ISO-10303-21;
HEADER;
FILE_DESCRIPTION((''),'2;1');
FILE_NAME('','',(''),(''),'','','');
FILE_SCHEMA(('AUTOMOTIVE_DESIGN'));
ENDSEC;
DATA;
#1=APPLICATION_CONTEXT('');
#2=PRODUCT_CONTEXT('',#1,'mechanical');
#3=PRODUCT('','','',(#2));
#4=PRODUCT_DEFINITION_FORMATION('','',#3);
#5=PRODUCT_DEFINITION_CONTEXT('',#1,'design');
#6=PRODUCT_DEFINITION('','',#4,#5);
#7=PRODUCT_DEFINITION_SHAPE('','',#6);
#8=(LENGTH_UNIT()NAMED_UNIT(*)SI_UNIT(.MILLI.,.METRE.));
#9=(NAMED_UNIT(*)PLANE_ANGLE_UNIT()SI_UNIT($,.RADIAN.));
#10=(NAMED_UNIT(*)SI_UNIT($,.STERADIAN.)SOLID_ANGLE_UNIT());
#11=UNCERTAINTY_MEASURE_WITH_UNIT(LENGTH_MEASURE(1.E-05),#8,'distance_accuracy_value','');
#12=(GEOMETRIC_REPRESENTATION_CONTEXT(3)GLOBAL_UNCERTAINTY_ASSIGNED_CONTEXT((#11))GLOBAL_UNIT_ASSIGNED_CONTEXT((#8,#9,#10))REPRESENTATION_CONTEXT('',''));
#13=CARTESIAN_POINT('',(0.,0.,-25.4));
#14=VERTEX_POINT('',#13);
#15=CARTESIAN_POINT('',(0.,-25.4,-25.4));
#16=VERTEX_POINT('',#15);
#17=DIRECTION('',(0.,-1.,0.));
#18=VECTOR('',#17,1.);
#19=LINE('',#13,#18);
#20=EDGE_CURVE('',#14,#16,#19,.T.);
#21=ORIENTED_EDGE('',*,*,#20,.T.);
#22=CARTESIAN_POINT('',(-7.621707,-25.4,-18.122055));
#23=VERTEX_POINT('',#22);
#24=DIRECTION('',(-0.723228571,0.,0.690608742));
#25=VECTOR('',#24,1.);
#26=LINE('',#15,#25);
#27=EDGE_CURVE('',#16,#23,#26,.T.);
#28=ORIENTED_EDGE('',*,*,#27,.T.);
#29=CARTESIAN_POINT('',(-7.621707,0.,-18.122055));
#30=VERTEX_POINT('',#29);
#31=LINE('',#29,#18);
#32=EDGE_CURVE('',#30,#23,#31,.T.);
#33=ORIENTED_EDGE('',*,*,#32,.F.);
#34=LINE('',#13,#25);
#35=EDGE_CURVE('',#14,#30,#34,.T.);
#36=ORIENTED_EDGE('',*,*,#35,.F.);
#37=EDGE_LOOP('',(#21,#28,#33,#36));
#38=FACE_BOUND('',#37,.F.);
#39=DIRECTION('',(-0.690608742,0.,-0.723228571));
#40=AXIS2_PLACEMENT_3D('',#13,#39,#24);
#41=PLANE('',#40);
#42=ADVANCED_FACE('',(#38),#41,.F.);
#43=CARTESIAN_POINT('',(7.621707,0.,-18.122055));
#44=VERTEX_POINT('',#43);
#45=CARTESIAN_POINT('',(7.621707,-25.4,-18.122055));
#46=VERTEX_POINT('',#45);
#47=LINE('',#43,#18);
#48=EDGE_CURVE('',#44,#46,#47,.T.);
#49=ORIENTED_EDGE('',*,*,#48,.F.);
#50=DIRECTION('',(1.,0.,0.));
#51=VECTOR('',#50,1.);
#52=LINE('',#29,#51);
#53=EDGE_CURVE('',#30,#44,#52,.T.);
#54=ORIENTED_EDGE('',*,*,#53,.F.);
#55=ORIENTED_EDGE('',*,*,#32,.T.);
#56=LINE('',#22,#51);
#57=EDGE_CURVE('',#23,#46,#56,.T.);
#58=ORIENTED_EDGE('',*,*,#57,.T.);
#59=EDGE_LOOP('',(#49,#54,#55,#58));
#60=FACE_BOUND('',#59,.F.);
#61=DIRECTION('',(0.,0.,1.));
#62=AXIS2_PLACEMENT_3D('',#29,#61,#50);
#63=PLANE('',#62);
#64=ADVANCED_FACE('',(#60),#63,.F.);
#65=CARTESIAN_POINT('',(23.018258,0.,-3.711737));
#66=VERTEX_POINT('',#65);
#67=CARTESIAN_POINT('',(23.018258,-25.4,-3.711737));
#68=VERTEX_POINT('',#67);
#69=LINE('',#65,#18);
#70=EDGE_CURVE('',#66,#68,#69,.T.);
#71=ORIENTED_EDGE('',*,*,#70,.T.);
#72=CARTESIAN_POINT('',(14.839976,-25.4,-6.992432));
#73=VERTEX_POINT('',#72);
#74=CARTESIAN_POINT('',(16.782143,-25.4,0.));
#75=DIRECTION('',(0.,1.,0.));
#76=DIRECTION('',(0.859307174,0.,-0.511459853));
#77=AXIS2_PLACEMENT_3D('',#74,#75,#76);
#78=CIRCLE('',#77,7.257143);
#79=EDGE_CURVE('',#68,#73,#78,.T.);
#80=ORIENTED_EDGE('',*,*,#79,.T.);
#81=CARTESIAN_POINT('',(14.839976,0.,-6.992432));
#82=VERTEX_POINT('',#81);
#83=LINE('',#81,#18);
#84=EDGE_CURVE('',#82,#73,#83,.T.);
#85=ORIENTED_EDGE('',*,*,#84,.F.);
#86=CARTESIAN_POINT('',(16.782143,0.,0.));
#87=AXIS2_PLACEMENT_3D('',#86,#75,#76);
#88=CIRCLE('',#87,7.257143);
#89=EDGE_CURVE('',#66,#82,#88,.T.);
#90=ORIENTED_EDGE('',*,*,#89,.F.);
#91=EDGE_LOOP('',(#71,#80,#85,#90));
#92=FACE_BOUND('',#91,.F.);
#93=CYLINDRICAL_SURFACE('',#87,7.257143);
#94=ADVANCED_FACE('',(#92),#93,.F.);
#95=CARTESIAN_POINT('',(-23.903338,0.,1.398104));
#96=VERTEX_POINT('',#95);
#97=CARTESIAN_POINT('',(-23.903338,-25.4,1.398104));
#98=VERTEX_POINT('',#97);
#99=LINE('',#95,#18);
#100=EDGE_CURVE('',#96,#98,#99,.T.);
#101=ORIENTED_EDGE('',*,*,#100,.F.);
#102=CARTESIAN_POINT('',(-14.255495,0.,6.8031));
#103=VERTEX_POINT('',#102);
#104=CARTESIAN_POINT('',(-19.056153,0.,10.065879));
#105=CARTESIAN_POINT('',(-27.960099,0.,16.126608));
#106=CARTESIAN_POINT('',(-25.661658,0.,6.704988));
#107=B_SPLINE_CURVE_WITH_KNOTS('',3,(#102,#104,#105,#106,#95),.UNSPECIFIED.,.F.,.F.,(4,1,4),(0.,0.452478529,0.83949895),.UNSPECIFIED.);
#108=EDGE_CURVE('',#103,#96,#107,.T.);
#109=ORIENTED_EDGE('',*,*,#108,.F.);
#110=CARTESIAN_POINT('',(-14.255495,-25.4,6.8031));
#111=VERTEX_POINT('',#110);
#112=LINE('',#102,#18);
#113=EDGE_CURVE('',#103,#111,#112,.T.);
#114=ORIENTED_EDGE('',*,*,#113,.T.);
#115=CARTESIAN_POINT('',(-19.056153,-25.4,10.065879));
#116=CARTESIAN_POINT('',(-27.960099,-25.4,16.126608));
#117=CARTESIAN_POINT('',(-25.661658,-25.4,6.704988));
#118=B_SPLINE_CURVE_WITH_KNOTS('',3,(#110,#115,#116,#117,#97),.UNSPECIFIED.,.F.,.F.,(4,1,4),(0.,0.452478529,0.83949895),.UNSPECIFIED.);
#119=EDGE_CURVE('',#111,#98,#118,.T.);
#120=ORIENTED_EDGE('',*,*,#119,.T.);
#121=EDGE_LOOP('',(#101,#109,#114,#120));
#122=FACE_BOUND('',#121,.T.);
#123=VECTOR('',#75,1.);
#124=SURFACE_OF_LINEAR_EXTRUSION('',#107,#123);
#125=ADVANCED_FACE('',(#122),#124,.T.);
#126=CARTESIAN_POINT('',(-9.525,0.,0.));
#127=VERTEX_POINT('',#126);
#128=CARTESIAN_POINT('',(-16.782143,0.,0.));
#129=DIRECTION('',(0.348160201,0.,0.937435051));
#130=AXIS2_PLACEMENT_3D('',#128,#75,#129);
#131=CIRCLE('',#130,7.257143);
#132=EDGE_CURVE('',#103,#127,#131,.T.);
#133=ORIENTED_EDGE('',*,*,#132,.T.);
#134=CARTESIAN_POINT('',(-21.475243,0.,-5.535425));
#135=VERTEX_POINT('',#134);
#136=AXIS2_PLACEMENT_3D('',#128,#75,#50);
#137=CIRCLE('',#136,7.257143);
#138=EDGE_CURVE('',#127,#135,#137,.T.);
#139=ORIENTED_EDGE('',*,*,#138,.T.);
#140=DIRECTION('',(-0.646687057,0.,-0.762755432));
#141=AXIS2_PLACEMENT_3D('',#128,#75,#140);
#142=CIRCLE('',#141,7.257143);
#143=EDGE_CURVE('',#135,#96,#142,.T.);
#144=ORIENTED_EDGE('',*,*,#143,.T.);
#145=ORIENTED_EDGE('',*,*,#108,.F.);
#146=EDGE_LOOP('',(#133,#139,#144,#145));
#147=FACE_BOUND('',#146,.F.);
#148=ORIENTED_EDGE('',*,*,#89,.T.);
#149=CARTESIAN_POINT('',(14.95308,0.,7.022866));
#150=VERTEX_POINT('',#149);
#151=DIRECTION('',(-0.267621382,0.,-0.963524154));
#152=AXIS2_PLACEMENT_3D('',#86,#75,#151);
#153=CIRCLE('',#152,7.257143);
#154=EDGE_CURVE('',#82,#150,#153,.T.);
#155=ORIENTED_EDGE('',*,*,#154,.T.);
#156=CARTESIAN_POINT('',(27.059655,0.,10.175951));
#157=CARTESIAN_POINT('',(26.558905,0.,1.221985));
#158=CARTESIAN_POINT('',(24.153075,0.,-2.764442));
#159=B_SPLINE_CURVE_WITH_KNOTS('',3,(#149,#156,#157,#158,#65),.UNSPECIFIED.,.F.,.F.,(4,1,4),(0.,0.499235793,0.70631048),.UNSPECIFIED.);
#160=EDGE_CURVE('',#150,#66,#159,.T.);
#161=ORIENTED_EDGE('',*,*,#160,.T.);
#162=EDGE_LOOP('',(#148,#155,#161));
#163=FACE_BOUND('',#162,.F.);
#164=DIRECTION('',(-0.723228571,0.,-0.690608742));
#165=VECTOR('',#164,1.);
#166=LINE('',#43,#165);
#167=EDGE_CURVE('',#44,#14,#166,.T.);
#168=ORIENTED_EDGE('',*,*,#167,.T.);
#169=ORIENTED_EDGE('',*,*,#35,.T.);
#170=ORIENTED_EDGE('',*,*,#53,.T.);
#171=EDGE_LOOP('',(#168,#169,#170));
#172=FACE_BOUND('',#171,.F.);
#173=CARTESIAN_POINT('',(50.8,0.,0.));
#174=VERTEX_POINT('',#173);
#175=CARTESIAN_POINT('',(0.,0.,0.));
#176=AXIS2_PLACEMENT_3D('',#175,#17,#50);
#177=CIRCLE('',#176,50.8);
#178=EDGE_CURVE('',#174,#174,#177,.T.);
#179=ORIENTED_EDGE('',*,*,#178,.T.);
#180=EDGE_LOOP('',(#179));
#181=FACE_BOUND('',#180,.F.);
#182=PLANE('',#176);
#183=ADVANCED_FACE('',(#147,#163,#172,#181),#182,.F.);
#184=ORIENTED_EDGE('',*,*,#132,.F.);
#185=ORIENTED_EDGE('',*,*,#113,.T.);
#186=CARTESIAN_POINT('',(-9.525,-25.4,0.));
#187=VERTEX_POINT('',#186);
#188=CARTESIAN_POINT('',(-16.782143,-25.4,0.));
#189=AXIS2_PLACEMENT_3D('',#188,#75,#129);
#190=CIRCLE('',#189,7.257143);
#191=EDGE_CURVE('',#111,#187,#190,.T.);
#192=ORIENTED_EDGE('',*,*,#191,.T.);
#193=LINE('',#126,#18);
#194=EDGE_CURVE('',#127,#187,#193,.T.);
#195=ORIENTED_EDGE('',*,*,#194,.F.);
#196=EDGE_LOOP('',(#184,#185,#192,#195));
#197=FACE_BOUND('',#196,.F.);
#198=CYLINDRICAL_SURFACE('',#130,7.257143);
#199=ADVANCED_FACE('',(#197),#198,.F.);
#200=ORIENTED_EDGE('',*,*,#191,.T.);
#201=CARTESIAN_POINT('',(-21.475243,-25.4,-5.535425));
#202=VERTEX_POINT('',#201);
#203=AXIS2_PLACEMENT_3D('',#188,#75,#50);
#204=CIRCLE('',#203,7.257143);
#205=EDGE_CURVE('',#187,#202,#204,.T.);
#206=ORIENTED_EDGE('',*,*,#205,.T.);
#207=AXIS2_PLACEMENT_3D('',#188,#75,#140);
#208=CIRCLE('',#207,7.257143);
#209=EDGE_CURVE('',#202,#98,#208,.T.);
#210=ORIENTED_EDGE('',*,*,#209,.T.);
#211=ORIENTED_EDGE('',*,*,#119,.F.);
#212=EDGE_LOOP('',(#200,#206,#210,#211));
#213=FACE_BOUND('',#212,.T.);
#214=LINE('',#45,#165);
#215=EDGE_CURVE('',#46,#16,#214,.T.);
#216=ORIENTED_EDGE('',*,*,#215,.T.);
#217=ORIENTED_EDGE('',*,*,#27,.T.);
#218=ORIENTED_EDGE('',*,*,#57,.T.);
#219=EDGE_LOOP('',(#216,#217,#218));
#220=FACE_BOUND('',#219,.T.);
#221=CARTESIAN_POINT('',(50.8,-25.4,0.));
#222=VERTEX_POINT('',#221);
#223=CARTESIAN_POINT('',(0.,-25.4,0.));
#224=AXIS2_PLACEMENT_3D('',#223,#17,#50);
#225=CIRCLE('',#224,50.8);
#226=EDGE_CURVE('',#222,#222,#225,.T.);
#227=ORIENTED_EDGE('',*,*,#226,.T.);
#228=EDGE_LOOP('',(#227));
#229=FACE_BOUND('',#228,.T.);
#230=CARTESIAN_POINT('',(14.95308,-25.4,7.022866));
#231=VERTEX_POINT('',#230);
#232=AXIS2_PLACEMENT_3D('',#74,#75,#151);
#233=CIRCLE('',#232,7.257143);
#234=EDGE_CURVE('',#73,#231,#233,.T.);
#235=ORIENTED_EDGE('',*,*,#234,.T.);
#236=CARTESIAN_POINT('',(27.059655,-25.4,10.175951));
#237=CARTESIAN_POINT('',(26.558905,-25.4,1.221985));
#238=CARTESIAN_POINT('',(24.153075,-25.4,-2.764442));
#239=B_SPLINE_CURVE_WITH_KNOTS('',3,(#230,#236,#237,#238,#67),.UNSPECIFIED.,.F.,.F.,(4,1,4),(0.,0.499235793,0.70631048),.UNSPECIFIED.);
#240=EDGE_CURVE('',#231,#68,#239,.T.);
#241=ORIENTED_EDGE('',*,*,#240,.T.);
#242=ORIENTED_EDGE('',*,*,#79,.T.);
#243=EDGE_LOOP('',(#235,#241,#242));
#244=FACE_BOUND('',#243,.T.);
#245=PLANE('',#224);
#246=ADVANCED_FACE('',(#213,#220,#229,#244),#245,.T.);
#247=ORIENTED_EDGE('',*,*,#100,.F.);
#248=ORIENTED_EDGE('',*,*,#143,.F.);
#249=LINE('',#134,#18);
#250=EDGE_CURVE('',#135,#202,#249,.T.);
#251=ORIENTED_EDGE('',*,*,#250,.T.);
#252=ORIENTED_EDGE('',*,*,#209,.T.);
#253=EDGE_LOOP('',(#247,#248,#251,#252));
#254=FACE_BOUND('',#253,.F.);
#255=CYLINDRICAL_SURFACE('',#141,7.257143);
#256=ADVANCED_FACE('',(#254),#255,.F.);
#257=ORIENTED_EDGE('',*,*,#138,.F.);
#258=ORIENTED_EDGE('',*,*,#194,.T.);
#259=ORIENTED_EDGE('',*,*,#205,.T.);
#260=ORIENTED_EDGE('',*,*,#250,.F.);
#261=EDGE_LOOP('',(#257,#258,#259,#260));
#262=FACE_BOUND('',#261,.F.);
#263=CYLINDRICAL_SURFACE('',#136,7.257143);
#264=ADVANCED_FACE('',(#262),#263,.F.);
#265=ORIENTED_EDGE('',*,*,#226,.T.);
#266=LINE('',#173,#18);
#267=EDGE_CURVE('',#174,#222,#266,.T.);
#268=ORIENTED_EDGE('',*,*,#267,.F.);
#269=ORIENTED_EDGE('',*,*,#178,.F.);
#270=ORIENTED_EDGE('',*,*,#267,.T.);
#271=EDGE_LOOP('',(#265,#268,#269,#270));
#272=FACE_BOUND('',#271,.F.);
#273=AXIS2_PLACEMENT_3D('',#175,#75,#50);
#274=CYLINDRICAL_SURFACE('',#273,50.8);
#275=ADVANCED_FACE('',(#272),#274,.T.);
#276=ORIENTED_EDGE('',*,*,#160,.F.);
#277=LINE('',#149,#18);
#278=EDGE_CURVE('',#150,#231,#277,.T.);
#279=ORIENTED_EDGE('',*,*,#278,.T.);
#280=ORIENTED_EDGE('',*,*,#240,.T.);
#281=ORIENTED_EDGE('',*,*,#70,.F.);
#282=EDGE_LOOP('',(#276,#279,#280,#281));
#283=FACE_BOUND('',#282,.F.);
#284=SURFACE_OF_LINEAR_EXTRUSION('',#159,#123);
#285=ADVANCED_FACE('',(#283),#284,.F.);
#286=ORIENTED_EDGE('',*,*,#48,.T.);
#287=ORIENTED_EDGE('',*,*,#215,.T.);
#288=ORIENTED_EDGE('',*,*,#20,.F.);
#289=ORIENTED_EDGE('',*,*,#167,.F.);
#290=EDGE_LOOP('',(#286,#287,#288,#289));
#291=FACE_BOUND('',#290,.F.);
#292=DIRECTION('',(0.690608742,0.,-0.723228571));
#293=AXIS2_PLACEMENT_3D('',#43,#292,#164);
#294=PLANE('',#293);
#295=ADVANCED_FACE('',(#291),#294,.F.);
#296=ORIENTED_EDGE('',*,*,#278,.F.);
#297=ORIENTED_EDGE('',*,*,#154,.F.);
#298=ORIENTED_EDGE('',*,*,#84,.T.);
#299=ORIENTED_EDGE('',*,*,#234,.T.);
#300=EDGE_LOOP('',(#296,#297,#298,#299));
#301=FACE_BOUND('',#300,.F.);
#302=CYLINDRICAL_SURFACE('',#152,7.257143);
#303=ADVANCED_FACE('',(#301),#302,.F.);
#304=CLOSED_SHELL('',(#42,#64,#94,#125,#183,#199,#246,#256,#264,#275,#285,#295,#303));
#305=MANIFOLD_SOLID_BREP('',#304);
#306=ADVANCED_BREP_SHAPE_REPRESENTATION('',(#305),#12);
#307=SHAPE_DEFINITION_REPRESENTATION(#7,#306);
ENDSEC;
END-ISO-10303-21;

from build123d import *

# Parameters (mm, degrees)
F0_R     = 50.8
F1_DEPTH = 25.4


with BuildPart() as f1:
    # F0 (on Front) → F1 (new body)
    with BuildSketch(Plane.XZ):
        Circle(F0_R)
        Polygon((0, -25.4), (-7.6217073622, -18.1220550468), (7.6217073622, -18.1220550468), align=None, mode=Mode.SUBTRACT)
        with BuildLine():
            ThreePointArc((-14.2554945443, 6.803100084), (-10.8238557625, 4.1430589359), (-9.525, 0))
            ThreePointArc((-9.525, 0), (-13.7319278898, -6.5850065377), (-21.475243217, -5.5354251383))
            ThreePointArc((-21.475243217, -5.5354251383), (-23.6314387915, -2.3985970176), (-23.9033384682, 1.3981042586))
            add(Edge.make_bspline(
                [(-14.2554945443, 6.803100084), (-19.0561525649, 10.0658788244), (-27.9600989694, 16.1266078405), (-25.6616575186, 6.7049880874), (-23.9033384682, 1.3981042586)],
                knots=[0, 0, 0, 0, 0.4524785293, 0.8394989496, 0.8394989496, 0.8394989496, 0.8394989496], degree=3))
        make_face(mode=Mode.SUBTRACT)
        with BuildLine():
            ThreePointArc((14.839976255, -6.9924324336), (9.525236299, 0.0585632534), (14.9530797492, 7.0228662664))
            add(Edge.make_bspline(
                [(14.9530797492, 7.0228662664), (27.0596550391, 10.175950689), (26.5589054798, 1.2219851028), (24.153074938, -2.7644417195), (23.0182577745, -3.7117372195)],
                knots=[0, 0, 0, 0, 0.4992357934, 0.7063104799, 0.7063104799, 0.7063104799, 0.7063104799], degree=3))
            ThreePointArc((23.0182577745, -3.7117372195), (19.4840381744, -6.7354201163), (14.839976255, -6.9924324336))
        make_face(mode=Mode.SUBTRACT)
    extrude(amount=F1_DEPTH)


solid = f1.part
